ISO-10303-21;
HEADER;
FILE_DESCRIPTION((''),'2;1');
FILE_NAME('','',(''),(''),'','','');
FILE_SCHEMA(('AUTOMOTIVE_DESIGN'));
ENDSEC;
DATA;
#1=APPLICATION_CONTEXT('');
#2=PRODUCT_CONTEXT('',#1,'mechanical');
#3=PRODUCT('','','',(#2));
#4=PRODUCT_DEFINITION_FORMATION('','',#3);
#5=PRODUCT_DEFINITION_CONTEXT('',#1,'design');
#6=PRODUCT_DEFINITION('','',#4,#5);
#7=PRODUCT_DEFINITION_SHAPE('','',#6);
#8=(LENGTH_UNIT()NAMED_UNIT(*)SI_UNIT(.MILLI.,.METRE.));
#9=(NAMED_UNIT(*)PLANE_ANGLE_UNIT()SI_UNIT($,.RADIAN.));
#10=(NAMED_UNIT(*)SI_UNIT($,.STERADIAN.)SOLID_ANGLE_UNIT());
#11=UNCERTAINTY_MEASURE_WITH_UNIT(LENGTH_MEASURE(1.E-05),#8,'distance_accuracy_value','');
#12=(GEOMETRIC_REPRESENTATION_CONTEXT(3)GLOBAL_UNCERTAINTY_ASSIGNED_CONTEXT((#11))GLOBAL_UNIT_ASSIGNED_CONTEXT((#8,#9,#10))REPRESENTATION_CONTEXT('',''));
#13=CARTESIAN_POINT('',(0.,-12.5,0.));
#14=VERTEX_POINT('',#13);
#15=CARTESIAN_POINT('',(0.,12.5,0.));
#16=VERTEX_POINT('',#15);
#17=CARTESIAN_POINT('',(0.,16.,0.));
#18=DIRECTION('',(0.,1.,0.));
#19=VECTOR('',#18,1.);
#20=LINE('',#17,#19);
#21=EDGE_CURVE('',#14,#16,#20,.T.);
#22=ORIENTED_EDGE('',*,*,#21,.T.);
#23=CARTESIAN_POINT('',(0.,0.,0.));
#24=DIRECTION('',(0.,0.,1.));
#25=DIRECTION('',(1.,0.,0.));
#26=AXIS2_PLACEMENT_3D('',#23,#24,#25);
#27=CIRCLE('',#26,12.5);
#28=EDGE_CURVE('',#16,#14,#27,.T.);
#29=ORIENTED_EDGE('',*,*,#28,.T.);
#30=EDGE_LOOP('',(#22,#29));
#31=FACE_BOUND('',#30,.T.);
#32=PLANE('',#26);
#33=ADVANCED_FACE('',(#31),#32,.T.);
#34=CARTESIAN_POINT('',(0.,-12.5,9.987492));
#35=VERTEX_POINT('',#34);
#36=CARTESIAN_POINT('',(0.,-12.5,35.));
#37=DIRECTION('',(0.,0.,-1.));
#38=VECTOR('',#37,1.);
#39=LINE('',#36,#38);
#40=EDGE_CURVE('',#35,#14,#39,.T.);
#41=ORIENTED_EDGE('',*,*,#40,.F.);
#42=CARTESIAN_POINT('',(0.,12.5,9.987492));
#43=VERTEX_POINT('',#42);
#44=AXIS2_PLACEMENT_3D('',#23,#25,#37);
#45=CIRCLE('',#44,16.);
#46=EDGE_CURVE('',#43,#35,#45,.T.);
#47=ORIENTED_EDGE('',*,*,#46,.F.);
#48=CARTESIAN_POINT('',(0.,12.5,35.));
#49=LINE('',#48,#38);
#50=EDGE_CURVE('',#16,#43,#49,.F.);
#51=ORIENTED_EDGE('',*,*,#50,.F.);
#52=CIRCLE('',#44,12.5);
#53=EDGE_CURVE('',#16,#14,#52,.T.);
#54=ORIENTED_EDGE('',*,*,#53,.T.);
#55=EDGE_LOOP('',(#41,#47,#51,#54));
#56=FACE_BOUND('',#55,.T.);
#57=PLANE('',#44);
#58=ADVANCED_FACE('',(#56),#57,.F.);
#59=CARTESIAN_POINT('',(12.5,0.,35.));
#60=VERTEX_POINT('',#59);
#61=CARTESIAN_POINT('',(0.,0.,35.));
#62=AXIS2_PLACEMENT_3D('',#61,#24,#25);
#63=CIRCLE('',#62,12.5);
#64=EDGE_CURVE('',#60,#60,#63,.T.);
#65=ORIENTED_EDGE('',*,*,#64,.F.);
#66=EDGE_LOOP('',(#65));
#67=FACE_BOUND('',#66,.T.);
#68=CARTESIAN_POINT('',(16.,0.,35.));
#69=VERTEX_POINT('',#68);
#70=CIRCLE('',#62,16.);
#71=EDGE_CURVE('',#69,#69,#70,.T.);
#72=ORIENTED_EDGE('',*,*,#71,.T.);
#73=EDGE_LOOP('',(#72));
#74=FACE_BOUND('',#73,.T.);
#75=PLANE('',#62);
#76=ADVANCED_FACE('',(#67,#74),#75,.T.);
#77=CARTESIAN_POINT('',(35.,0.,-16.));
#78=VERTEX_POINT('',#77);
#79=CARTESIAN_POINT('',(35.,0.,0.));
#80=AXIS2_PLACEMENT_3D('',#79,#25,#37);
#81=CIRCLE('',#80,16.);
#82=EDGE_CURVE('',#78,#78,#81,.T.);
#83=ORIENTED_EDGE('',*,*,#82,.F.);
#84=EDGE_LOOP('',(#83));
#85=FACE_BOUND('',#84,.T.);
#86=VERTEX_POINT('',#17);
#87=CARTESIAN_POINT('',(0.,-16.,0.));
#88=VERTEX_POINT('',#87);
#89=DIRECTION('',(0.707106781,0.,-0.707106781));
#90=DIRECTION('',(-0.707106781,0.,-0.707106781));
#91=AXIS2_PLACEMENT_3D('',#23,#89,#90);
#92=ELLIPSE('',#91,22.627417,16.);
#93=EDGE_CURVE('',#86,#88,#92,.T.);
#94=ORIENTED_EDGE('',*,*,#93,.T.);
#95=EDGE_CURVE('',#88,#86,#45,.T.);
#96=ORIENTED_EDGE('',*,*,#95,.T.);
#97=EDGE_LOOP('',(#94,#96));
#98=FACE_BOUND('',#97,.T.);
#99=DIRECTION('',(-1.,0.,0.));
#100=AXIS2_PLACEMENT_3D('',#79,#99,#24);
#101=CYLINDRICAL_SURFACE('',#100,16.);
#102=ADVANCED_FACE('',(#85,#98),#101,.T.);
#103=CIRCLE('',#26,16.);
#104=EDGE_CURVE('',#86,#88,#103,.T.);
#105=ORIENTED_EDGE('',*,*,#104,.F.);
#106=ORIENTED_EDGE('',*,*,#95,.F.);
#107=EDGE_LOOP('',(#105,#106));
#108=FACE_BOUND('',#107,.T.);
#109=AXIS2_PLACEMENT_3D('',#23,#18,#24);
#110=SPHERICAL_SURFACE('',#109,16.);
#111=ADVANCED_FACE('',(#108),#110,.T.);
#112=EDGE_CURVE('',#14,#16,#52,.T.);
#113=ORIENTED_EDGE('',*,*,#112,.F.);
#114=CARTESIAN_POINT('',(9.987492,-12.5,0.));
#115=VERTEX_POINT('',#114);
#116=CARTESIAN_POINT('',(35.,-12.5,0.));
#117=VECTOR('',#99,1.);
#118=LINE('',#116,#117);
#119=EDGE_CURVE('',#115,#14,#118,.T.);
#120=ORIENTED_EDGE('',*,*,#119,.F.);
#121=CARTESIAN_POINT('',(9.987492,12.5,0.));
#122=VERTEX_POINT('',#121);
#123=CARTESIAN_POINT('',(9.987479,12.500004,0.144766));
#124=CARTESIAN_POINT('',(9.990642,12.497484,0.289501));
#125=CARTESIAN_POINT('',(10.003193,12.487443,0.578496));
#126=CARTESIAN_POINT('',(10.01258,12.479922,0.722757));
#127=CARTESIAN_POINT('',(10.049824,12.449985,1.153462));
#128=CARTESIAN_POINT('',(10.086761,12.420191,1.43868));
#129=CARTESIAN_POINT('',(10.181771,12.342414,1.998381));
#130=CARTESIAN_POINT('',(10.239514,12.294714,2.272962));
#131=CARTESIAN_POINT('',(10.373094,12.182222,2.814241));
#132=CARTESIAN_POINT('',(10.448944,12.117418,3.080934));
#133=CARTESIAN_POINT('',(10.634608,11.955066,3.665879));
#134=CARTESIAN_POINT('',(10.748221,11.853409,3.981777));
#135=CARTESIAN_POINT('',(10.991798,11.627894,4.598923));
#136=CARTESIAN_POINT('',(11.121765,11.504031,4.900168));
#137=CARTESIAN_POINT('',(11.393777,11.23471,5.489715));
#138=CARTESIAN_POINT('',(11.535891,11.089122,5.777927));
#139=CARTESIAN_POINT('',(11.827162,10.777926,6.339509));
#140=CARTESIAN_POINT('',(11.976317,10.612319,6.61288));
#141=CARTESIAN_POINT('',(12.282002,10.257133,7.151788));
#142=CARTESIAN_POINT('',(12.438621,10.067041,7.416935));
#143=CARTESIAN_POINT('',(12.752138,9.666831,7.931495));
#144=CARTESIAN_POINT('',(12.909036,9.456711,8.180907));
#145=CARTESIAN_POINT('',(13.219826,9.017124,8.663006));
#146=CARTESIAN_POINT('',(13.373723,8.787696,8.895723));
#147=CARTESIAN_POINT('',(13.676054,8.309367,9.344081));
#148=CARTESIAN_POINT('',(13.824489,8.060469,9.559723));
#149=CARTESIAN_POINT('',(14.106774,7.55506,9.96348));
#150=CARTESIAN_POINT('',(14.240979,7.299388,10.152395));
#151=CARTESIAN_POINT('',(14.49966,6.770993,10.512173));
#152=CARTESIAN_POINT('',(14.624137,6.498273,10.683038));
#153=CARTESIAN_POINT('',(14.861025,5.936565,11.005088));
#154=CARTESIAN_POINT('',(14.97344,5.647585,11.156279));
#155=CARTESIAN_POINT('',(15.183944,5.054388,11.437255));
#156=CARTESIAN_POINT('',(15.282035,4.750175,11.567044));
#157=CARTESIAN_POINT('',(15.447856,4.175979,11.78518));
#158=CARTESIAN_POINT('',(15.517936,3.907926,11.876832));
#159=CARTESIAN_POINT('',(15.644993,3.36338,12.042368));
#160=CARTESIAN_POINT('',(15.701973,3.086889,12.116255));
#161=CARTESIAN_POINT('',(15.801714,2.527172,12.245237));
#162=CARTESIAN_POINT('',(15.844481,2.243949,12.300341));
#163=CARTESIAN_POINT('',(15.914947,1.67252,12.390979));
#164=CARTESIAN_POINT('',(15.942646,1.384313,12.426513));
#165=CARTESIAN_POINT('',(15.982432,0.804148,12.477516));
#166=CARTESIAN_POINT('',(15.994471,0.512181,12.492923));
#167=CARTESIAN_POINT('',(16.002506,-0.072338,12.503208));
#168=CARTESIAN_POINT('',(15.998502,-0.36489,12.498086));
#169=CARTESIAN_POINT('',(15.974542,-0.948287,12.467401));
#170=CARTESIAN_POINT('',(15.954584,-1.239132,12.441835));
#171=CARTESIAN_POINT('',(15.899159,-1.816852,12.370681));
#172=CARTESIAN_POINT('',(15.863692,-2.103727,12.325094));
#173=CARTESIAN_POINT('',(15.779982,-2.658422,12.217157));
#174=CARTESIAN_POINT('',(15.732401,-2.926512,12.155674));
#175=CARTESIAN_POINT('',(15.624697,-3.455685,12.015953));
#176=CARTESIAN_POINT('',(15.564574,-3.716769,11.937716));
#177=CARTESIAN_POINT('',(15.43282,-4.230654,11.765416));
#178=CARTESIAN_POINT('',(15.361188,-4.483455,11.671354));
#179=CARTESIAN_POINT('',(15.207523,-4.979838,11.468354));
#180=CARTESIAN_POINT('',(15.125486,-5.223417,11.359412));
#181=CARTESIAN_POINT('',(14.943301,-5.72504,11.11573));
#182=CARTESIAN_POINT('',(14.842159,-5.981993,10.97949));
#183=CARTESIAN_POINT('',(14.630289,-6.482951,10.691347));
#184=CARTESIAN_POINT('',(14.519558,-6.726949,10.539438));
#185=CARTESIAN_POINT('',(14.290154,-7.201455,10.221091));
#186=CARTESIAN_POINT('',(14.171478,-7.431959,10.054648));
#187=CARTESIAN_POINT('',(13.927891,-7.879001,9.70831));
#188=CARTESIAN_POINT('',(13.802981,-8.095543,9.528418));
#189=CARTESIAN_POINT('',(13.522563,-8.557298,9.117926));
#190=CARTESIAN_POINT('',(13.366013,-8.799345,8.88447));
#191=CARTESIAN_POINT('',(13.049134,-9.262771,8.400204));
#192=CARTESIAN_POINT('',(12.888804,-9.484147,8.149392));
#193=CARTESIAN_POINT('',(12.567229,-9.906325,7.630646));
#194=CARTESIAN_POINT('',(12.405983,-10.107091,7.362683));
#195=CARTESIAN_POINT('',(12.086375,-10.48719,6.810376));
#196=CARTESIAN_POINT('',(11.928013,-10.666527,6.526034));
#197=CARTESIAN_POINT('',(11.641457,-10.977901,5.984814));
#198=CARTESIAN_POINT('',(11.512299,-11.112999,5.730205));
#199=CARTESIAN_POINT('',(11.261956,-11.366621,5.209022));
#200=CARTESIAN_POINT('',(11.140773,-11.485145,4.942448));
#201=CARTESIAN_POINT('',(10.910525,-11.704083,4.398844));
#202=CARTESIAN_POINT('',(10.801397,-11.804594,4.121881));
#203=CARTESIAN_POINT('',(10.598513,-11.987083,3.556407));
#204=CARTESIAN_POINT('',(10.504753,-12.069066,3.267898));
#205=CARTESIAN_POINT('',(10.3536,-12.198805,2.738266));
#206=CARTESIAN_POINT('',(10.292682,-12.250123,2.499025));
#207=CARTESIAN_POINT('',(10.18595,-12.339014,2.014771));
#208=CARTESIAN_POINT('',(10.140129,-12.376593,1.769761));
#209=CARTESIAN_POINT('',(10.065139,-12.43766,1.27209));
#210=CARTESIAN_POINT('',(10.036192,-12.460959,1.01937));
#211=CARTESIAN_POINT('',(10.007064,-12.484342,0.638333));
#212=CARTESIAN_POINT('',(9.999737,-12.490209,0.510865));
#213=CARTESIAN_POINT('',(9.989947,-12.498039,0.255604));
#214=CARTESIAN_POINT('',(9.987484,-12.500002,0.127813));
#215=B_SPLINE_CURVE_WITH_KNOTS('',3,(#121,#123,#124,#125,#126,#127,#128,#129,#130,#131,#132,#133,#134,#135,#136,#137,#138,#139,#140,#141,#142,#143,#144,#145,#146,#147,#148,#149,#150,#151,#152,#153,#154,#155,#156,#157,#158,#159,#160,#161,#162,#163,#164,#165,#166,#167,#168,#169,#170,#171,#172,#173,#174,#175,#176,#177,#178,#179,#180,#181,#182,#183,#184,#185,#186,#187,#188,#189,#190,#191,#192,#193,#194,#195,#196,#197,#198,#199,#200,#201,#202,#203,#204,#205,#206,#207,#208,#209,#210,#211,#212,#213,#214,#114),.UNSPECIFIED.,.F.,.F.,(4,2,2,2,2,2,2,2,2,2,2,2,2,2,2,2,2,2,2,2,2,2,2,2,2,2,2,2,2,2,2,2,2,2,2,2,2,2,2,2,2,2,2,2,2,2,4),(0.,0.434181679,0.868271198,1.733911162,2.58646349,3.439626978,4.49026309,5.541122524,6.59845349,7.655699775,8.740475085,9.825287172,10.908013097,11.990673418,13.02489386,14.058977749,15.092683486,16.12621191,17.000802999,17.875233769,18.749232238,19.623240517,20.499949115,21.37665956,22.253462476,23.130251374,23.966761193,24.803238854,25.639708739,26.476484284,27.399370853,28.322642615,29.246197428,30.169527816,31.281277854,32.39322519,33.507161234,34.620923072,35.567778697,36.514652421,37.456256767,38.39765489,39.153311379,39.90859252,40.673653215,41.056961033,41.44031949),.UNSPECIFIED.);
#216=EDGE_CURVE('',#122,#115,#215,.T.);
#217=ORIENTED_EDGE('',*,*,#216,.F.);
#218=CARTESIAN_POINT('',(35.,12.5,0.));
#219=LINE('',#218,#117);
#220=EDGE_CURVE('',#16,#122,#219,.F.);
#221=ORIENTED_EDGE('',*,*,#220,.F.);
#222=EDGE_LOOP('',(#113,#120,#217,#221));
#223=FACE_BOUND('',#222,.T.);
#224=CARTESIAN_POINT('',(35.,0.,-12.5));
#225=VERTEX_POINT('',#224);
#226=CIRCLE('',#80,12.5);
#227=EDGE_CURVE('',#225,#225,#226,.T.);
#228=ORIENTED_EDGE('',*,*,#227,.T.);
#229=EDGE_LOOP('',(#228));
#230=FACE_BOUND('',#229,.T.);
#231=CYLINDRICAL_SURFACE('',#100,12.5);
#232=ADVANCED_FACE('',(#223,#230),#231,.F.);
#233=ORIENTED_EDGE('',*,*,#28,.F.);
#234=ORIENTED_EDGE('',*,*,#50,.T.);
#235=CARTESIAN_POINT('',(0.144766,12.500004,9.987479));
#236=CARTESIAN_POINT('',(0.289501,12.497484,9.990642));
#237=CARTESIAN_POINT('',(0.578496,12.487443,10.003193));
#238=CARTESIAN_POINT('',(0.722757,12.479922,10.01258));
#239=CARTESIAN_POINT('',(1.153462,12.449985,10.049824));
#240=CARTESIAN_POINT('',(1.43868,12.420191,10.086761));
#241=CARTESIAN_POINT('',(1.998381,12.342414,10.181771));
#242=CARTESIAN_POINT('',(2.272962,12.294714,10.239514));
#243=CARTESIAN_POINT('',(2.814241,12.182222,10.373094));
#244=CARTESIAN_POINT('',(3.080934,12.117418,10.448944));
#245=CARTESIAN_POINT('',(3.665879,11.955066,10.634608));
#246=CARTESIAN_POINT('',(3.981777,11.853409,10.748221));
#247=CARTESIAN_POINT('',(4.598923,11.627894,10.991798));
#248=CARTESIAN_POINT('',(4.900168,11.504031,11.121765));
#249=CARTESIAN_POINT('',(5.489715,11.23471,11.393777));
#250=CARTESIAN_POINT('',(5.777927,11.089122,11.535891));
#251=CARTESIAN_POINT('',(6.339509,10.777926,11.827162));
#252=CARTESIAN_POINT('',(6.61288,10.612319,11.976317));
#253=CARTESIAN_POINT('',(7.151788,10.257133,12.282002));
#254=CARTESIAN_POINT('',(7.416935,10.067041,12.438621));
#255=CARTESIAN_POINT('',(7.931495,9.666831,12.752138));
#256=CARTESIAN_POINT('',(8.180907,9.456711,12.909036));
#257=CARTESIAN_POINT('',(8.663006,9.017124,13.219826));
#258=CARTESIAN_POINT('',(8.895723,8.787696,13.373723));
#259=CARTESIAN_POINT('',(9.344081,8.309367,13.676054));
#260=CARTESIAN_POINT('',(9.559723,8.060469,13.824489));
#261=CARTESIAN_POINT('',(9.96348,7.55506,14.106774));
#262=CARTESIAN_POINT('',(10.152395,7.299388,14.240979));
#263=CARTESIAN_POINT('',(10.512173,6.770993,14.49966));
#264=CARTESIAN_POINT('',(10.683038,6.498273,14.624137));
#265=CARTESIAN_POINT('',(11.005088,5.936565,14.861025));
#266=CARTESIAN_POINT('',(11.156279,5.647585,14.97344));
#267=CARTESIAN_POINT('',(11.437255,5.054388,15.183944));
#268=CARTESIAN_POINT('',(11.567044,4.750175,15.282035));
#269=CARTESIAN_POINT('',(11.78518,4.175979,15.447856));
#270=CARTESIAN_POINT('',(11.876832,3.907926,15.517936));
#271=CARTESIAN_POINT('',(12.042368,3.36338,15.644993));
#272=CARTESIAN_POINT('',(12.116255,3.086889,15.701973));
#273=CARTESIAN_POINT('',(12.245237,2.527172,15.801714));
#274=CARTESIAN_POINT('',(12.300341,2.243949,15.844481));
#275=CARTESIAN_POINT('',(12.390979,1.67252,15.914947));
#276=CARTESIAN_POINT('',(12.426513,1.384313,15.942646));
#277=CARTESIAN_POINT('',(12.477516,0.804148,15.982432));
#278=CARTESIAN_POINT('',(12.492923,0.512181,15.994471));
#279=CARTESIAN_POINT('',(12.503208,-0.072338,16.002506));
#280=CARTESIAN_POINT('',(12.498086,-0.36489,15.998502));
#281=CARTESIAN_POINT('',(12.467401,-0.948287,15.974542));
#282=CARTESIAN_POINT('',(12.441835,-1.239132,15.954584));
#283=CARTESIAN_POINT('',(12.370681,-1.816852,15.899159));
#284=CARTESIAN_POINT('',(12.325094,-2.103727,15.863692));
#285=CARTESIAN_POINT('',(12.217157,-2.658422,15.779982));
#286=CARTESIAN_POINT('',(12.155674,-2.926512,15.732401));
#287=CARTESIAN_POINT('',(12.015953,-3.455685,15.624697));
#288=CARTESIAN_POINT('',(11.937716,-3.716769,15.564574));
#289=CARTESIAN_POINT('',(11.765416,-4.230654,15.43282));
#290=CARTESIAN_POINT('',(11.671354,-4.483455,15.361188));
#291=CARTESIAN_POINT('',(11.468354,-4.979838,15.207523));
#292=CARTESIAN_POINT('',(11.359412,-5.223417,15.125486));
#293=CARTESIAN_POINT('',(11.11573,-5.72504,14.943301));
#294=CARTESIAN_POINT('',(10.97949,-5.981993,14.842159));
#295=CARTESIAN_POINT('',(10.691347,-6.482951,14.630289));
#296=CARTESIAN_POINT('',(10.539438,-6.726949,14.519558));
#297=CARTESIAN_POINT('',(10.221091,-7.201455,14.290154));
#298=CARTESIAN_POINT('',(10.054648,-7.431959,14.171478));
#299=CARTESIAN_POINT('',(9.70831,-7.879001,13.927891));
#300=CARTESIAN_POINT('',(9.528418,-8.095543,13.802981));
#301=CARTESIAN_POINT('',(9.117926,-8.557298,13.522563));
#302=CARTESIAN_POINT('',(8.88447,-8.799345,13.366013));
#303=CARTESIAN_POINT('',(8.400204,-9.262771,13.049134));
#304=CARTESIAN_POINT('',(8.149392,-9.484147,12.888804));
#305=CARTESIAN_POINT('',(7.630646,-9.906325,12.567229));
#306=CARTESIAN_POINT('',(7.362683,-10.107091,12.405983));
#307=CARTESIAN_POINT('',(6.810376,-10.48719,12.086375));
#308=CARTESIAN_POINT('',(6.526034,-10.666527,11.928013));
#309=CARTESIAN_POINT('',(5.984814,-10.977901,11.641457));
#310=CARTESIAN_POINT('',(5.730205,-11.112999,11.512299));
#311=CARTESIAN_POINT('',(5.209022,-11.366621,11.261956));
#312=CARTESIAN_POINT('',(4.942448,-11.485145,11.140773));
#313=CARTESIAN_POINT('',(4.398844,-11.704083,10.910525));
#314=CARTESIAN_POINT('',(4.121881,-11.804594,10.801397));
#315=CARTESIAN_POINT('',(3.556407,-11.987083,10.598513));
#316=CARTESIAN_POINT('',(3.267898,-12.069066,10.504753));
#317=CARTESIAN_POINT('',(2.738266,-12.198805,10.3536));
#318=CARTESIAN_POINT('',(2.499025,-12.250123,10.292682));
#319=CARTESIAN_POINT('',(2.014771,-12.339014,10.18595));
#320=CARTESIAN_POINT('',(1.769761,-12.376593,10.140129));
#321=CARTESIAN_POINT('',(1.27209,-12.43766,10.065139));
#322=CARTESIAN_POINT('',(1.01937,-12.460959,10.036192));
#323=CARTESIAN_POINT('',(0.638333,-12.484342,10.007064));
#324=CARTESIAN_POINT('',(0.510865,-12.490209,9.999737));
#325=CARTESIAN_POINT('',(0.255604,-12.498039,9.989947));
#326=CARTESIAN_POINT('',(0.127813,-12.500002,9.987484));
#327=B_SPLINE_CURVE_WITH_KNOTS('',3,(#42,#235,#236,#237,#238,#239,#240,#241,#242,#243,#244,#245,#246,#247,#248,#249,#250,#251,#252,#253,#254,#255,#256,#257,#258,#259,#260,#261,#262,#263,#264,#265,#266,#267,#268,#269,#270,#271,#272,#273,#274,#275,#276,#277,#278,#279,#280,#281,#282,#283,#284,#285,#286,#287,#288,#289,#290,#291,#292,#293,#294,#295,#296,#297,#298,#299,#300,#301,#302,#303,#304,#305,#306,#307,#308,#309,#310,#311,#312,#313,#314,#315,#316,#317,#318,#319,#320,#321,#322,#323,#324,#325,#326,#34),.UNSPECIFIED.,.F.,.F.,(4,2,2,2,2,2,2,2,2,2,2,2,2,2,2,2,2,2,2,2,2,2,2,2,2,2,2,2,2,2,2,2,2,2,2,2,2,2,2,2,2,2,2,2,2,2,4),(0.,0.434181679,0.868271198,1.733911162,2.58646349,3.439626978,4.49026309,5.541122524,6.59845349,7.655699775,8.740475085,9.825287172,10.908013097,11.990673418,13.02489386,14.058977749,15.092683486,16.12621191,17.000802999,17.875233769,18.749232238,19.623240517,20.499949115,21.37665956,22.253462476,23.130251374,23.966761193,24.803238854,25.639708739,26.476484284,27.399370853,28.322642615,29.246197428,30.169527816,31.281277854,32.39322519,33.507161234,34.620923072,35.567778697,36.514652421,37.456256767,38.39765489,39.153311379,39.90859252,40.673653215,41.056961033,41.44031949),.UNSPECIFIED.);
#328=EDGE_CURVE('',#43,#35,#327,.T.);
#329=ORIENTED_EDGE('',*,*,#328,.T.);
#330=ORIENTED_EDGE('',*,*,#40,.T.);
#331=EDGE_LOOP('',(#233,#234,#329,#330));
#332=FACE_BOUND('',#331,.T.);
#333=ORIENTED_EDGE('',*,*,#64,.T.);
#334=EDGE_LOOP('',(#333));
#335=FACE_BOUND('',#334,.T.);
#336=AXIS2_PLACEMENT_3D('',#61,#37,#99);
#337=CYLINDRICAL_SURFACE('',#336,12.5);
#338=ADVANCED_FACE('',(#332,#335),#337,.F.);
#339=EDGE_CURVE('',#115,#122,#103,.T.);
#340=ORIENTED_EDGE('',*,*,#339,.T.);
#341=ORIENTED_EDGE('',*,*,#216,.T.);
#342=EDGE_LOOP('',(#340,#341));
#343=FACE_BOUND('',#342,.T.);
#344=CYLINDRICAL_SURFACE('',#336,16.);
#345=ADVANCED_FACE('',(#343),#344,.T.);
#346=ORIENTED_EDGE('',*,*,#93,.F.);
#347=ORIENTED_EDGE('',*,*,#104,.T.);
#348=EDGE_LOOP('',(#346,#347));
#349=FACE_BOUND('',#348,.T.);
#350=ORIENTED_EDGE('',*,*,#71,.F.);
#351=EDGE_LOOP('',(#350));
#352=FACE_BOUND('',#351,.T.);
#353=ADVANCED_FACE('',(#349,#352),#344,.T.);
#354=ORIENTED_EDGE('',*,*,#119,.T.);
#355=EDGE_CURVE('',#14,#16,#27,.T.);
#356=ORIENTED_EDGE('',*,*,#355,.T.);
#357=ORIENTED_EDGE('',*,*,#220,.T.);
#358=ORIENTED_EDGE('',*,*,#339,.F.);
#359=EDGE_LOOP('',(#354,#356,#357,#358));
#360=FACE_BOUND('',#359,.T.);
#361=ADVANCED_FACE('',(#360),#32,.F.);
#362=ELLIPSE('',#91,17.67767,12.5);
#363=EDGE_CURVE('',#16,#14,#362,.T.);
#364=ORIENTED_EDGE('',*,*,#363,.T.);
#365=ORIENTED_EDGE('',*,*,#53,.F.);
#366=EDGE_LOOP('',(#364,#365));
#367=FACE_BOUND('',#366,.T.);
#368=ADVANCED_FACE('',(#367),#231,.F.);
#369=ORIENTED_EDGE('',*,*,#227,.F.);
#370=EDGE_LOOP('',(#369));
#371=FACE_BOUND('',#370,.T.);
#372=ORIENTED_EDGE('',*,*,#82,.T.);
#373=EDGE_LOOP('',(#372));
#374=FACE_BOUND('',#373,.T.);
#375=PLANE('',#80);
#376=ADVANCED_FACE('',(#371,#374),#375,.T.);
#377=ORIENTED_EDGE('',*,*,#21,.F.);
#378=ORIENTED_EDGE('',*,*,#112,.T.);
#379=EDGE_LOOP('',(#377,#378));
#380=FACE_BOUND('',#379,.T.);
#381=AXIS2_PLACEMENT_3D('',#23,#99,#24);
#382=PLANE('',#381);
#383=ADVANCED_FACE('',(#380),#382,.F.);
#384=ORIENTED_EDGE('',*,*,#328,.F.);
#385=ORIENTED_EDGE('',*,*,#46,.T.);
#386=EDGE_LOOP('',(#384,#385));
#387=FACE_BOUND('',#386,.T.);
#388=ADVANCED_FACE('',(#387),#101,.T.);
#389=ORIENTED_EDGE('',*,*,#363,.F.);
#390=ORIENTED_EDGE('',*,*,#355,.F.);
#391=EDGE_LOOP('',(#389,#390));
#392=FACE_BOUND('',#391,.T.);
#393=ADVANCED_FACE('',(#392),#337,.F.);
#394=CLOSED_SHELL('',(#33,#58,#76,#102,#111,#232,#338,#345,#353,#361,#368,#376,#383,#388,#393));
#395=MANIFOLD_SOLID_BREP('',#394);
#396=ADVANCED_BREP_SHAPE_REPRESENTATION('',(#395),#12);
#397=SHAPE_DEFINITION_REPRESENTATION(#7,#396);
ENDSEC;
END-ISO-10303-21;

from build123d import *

# Parameters (mm, degrees)
SKETCH_1_R      = 16
SKETCH_1_R_2    = 12.5
EXTRUDE_1_DEPTH = 35
SKETCH_2_R      = 16
SKETCH_2_R_2    = 12.5
EXTRUDE_2_DEPTH = 35
REVOLVE_1_ANGLE = 90


with BuildPart() as part:
    # 草图1 → 凸台-拉伸1 (new body)
    with BuildSketch(Plane.XY):
        Circle(SKETCH_1_R)
        Circle(SKETCH_1_R_2, mode=Mode.SUBTRACT)
    extrude(amount=EXTRUDE_1_DEPTH)

    # 草图2 → 凸台-拉伸2 (add)
    with BuildSketch(Plane(origin=(0, 0, 0), x_dir=(0, 0, -1), z_dir=(1, 0, 0))):
        Circle(SKETCH_2_R)
        Circle(SKETCH_2_R_2, mode=Mode.SUBTRACT)
    extrude(amount=EXTRUDE_2_DEPTH)

    # 草图3 → 旋转1 (revolve)
    with BuildSketch(Plane.XY):
        with BuildLine():
            Line((0, 16), (0, -16))
            ThreePointArc((0, -16), (-16, 0), (0, 16))
        make_face()
    revolve(axis=Axis((0, 16, 0), (0, -1, 0)), revolution_arc=REVOLVE_1_ANGLE)


solid = part.part
